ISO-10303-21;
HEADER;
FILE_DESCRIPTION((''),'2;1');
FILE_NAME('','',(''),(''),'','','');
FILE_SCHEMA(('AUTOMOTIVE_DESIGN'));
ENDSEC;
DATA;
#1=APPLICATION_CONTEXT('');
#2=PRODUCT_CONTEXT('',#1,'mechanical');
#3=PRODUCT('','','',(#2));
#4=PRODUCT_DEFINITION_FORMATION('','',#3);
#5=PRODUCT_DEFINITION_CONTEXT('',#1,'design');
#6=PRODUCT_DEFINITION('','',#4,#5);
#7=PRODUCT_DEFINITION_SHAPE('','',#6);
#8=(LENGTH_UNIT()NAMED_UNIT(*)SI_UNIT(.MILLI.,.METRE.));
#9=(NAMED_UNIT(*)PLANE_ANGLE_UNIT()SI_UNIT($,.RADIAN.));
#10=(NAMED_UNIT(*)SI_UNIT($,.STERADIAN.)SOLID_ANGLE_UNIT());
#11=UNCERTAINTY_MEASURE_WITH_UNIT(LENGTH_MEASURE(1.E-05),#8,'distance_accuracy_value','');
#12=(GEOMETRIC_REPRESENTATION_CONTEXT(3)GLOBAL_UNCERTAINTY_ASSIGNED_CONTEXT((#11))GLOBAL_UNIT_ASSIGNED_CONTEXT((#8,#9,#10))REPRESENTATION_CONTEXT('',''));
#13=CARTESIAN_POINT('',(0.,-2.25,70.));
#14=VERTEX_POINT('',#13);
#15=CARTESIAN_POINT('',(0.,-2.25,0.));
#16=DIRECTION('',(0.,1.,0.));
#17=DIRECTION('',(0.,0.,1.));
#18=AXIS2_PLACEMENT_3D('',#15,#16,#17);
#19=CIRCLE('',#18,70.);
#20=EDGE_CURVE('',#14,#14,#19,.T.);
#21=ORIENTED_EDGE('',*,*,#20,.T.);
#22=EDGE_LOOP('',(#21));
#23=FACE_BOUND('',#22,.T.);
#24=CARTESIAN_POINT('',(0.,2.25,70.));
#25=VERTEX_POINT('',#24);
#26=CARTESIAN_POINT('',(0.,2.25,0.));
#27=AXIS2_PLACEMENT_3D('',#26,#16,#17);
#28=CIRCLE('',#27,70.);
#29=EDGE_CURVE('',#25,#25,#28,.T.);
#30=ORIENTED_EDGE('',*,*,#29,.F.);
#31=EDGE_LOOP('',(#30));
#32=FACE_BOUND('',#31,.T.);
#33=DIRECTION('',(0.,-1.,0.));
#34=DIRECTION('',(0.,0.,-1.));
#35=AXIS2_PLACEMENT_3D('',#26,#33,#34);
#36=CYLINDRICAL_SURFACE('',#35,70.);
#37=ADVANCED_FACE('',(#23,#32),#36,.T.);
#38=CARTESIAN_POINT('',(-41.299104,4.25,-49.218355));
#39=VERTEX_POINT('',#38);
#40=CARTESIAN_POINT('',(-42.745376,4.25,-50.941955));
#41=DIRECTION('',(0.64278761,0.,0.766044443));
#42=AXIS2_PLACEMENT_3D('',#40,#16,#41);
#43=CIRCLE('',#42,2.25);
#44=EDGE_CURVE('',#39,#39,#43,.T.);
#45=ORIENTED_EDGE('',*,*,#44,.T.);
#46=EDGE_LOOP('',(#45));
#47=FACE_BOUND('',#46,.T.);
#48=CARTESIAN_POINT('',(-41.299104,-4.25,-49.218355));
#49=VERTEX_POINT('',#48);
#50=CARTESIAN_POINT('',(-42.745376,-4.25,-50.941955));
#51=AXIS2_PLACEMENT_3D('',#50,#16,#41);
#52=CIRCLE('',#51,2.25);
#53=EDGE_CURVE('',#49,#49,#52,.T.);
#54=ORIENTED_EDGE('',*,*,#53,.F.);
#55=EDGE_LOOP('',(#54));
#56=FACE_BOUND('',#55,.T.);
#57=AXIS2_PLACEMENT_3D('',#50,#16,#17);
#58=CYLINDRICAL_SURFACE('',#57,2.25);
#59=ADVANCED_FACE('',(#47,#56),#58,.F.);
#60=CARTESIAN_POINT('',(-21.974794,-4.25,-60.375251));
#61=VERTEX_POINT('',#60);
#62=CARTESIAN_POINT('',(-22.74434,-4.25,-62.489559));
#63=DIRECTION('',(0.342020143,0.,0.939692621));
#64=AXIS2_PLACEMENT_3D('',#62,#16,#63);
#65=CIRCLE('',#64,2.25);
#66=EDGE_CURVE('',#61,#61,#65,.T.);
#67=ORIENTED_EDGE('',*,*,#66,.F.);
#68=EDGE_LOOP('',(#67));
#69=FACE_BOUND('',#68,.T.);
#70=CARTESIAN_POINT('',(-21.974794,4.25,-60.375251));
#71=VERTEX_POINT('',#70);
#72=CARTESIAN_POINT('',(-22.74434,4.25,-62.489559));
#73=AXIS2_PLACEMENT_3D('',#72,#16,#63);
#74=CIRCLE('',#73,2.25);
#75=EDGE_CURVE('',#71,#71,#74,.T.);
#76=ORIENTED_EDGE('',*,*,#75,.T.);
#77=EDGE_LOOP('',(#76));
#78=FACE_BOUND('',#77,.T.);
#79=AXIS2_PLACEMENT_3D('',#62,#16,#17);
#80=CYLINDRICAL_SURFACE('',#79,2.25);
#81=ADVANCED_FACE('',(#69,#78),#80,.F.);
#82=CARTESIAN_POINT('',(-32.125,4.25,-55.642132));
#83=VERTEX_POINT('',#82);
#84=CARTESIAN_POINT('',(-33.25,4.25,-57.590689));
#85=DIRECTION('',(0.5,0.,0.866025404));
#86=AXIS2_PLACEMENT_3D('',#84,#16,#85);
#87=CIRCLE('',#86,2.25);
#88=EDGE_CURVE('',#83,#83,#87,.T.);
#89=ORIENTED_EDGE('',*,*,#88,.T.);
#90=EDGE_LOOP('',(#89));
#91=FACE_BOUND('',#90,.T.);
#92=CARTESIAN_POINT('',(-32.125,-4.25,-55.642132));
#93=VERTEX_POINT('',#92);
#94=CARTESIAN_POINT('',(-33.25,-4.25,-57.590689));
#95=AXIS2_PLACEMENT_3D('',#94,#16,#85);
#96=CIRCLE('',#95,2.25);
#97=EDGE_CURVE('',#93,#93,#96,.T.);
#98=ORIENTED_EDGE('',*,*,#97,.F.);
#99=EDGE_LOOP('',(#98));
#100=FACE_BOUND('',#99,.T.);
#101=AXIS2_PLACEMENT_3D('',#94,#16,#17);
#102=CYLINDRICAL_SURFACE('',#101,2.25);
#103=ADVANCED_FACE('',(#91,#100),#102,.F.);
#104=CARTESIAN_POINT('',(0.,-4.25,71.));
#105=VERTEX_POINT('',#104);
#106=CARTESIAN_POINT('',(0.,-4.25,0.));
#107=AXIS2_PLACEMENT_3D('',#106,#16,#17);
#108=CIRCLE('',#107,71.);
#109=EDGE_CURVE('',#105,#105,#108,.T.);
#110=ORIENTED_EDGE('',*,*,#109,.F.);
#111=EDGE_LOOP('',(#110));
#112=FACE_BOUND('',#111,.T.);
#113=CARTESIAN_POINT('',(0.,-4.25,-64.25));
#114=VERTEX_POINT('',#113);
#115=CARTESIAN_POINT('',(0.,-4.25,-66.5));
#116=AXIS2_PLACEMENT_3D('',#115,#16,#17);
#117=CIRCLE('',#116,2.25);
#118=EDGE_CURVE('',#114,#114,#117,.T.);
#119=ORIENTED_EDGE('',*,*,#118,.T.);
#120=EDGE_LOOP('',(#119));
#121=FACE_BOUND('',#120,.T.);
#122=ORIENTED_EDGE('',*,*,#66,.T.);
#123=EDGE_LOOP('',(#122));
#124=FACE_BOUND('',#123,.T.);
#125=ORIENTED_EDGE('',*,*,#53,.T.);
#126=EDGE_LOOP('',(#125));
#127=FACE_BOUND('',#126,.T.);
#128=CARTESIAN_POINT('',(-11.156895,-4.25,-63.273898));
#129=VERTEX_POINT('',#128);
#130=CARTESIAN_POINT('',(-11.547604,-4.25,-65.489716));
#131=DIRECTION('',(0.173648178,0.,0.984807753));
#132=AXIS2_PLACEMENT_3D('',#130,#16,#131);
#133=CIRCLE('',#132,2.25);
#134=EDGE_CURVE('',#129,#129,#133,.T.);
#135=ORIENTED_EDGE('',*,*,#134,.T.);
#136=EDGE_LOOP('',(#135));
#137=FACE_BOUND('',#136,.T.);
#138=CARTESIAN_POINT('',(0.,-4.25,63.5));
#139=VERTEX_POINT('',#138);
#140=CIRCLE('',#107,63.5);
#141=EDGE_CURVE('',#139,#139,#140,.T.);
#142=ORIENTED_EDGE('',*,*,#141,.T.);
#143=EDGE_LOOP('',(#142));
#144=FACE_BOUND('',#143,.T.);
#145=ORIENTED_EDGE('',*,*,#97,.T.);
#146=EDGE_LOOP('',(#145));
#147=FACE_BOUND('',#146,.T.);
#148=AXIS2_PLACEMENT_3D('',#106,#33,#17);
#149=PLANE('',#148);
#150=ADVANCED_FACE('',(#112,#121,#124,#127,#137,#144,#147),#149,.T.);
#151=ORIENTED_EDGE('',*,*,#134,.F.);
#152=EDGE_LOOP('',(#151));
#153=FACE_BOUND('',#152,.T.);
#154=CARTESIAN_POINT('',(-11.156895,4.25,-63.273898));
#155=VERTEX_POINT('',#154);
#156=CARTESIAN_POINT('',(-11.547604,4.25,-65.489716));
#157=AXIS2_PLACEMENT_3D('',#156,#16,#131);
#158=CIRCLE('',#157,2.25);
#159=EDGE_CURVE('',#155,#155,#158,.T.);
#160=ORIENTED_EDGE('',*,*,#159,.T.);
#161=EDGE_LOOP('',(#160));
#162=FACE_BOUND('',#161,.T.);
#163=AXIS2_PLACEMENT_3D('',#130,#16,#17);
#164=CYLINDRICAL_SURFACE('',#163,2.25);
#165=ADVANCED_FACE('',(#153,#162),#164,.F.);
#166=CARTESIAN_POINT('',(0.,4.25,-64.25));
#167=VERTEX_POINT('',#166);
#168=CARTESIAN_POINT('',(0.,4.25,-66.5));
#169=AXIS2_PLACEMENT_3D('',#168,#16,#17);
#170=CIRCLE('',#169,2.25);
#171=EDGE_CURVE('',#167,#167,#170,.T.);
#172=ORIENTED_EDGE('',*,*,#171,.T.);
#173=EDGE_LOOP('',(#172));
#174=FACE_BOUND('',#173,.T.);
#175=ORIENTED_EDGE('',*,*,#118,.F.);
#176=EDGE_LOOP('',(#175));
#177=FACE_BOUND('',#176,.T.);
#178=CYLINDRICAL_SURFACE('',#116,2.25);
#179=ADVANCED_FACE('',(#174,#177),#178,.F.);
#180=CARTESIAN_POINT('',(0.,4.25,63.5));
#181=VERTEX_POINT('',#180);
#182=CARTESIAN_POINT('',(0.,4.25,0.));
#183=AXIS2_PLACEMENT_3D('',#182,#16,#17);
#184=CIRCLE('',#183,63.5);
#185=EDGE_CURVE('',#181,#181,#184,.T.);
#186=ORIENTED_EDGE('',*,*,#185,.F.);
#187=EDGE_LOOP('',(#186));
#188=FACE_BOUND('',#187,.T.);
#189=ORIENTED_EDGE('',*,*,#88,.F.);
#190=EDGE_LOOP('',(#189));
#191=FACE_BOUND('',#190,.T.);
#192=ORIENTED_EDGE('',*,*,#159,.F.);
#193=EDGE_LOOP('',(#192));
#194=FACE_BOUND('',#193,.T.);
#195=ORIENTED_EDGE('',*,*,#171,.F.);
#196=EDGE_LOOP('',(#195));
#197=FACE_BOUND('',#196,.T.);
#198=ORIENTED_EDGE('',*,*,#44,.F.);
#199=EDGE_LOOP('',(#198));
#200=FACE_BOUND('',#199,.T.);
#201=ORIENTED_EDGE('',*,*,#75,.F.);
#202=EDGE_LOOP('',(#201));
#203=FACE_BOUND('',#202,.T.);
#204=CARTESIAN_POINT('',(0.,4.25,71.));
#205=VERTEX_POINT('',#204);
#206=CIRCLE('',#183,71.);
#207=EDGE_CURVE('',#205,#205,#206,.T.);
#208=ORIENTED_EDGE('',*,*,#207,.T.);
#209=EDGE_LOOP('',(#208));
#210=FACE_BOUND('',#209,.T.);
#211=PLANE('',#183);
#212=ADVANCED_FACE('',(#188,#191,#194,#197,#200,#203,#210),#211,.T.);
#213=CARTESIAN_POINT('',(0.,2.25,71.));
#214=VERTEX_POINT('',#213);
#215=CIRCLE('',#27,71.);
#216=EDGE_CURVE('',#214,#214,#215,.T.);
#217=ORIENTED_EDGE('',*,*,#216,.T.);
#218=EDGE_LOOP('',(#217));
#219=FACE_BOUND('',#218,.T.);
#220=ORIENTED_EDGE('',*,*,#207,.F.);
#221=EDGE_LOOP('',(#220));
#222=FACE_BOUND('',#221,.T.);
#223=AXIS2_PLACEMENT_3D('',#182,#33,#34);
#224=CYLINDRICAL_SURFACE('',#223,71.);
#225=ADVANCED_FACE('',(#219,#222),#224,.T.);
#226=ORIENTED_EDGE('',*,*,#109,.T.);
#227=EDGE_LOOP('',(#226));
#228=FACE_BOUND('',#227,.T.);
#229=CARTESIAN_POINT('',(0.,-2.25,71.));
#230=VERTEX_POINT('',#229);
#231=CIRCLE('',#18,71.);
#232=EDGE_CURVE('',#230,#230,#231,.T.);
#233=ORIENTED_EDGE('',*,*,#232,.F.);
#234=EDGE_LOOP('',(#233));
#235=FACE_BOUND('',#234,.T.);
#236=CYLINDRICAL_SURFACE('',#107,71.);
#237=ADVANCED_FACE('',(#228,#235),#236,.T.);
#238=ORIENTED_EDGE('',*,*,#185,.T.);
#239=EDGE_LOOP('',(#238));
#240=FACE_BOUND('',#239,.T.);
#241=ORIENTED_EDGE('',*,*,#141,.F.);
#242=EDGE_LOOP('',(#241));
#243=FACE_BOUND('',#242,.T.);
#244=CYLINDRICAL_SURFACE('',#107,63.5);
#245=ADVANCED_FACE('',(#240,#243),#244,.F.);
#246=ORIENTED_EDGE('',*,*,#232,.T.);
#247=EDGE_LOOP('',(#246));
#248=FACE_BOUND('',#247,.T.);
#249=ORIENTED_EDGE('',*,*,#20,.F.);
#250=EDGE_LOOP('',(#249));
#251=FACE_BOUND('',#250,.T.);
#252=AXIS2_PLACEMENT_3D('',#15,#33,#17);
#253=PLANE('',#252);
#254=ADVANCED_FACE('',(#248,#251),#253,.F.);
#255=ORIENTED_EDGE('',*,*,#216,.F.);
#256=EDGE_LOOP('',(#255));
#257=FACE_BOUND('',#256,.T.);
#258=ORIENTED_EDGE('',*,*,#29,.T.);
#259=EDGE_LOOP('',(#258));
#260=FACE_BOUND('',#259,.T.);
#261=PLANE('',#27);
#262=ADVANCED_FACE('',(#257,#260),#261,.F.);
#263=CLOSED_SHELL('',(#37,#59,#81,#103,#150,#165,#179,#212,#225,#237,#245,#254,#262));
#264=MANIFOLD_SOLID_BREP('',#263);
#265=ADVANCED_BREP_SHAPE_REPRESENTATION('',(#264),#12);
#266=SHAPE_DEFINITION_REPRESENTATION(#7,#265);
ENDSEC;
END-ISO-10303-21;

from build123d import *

# Parameters (mm, degrees)
SKETCH1_R               = 70
BOSS_EXTRUDE1_DEPTH     = 2.25
SKETCH2_R               = 71
BOSS_EXTRUDE2_DEPTH     = 2
SKETCH3_R               = 63.5
CUT_EXTRUDE1_DEPTH      = 1
CUT_EXTRUDE1_DEPTH_BACK = 9.5
SKETCH5_R               = 2.25
CUT_EXTRUDE3_DEPTH      = 5.25
CIRPATTERN1_COUNT       = 5
CIRPATTERN1_ANGLE       = 40


with BuildPart() as part:
    # Sketch1 → Boss-Extrude1 (new body, symmetric)
    with BuildSketch(Plane(origin=(0, 0, 0), x_dir=(1, 0, 0), z_dir=(0, 1, 0))):
        Circle(SKETCH1_R)
    extrude(amount=BOSS_EXTRUDE1_DEPTH, both=True)

    # Sketch2 → Boss-Extrude2 (add)
    with BuildSketch(Plane(origin=(0, 2.25, 0), x_dir=(1, 0, 0), z_dir=(0, 1, 0))):
        Circle(SKETCH2_R)
    boss_extrude2 = extrude(amount=BOSS_EXTRUDE2_DEPTH)

    # Mirror1: Boss-Extrude2 across plane
    add(boss_extrude2.mirror(Plane.ZX))

    # Sketch3 → Cut-Extrude1 (cut, two sides)
    with BuildSketch(Plane(origin=(0, 4.25, 0), x_dir=(1, 0, 0), z_dir=(0, 1, 0))) as cut_extrude1_sk:
        Circle(SKETCH3_R)
    extrude(amount=CUT_EXTRUDE1_DEPTH, mode=Mode.SUBTRACT)
    extrude(cut_extrude1_sk.sketch, amount=-CUT_EXTRUDE1_DEPTH_BACK, mode=Mode.SUBTRACT)

    # Sketch5 → Cut-Extrude3 (cut, symmetric)
    with BuildSketch(Plane(origin=(0, 0, 0), x_dir=(1, 0, 0), z_dir=(0, 1, 0))):
        with Locations((0, 66.5)):
            Circle(SKETCH5_R)
    cut_extrude3 = extrude(amount=CUT_EXTRUDE3_DEPTH, both=True, mode=Mode.SUBTRACT)

    # CirPattern1: Cut-Extrude3 ×5 about axis
    cirpattern1_axis = Axis((0, 0, 0), (0, 1, 0))
    for i in range(1, CIRPATTERN1_COUNT):
        add(cut_extrude3.rotate(cirpattern1_axis, i * CIRPATTERN1_ANGLE / (CIRPATTERN1_COUNT - 1)), mode=Mode.SUBTRACT)


solid = part.part
